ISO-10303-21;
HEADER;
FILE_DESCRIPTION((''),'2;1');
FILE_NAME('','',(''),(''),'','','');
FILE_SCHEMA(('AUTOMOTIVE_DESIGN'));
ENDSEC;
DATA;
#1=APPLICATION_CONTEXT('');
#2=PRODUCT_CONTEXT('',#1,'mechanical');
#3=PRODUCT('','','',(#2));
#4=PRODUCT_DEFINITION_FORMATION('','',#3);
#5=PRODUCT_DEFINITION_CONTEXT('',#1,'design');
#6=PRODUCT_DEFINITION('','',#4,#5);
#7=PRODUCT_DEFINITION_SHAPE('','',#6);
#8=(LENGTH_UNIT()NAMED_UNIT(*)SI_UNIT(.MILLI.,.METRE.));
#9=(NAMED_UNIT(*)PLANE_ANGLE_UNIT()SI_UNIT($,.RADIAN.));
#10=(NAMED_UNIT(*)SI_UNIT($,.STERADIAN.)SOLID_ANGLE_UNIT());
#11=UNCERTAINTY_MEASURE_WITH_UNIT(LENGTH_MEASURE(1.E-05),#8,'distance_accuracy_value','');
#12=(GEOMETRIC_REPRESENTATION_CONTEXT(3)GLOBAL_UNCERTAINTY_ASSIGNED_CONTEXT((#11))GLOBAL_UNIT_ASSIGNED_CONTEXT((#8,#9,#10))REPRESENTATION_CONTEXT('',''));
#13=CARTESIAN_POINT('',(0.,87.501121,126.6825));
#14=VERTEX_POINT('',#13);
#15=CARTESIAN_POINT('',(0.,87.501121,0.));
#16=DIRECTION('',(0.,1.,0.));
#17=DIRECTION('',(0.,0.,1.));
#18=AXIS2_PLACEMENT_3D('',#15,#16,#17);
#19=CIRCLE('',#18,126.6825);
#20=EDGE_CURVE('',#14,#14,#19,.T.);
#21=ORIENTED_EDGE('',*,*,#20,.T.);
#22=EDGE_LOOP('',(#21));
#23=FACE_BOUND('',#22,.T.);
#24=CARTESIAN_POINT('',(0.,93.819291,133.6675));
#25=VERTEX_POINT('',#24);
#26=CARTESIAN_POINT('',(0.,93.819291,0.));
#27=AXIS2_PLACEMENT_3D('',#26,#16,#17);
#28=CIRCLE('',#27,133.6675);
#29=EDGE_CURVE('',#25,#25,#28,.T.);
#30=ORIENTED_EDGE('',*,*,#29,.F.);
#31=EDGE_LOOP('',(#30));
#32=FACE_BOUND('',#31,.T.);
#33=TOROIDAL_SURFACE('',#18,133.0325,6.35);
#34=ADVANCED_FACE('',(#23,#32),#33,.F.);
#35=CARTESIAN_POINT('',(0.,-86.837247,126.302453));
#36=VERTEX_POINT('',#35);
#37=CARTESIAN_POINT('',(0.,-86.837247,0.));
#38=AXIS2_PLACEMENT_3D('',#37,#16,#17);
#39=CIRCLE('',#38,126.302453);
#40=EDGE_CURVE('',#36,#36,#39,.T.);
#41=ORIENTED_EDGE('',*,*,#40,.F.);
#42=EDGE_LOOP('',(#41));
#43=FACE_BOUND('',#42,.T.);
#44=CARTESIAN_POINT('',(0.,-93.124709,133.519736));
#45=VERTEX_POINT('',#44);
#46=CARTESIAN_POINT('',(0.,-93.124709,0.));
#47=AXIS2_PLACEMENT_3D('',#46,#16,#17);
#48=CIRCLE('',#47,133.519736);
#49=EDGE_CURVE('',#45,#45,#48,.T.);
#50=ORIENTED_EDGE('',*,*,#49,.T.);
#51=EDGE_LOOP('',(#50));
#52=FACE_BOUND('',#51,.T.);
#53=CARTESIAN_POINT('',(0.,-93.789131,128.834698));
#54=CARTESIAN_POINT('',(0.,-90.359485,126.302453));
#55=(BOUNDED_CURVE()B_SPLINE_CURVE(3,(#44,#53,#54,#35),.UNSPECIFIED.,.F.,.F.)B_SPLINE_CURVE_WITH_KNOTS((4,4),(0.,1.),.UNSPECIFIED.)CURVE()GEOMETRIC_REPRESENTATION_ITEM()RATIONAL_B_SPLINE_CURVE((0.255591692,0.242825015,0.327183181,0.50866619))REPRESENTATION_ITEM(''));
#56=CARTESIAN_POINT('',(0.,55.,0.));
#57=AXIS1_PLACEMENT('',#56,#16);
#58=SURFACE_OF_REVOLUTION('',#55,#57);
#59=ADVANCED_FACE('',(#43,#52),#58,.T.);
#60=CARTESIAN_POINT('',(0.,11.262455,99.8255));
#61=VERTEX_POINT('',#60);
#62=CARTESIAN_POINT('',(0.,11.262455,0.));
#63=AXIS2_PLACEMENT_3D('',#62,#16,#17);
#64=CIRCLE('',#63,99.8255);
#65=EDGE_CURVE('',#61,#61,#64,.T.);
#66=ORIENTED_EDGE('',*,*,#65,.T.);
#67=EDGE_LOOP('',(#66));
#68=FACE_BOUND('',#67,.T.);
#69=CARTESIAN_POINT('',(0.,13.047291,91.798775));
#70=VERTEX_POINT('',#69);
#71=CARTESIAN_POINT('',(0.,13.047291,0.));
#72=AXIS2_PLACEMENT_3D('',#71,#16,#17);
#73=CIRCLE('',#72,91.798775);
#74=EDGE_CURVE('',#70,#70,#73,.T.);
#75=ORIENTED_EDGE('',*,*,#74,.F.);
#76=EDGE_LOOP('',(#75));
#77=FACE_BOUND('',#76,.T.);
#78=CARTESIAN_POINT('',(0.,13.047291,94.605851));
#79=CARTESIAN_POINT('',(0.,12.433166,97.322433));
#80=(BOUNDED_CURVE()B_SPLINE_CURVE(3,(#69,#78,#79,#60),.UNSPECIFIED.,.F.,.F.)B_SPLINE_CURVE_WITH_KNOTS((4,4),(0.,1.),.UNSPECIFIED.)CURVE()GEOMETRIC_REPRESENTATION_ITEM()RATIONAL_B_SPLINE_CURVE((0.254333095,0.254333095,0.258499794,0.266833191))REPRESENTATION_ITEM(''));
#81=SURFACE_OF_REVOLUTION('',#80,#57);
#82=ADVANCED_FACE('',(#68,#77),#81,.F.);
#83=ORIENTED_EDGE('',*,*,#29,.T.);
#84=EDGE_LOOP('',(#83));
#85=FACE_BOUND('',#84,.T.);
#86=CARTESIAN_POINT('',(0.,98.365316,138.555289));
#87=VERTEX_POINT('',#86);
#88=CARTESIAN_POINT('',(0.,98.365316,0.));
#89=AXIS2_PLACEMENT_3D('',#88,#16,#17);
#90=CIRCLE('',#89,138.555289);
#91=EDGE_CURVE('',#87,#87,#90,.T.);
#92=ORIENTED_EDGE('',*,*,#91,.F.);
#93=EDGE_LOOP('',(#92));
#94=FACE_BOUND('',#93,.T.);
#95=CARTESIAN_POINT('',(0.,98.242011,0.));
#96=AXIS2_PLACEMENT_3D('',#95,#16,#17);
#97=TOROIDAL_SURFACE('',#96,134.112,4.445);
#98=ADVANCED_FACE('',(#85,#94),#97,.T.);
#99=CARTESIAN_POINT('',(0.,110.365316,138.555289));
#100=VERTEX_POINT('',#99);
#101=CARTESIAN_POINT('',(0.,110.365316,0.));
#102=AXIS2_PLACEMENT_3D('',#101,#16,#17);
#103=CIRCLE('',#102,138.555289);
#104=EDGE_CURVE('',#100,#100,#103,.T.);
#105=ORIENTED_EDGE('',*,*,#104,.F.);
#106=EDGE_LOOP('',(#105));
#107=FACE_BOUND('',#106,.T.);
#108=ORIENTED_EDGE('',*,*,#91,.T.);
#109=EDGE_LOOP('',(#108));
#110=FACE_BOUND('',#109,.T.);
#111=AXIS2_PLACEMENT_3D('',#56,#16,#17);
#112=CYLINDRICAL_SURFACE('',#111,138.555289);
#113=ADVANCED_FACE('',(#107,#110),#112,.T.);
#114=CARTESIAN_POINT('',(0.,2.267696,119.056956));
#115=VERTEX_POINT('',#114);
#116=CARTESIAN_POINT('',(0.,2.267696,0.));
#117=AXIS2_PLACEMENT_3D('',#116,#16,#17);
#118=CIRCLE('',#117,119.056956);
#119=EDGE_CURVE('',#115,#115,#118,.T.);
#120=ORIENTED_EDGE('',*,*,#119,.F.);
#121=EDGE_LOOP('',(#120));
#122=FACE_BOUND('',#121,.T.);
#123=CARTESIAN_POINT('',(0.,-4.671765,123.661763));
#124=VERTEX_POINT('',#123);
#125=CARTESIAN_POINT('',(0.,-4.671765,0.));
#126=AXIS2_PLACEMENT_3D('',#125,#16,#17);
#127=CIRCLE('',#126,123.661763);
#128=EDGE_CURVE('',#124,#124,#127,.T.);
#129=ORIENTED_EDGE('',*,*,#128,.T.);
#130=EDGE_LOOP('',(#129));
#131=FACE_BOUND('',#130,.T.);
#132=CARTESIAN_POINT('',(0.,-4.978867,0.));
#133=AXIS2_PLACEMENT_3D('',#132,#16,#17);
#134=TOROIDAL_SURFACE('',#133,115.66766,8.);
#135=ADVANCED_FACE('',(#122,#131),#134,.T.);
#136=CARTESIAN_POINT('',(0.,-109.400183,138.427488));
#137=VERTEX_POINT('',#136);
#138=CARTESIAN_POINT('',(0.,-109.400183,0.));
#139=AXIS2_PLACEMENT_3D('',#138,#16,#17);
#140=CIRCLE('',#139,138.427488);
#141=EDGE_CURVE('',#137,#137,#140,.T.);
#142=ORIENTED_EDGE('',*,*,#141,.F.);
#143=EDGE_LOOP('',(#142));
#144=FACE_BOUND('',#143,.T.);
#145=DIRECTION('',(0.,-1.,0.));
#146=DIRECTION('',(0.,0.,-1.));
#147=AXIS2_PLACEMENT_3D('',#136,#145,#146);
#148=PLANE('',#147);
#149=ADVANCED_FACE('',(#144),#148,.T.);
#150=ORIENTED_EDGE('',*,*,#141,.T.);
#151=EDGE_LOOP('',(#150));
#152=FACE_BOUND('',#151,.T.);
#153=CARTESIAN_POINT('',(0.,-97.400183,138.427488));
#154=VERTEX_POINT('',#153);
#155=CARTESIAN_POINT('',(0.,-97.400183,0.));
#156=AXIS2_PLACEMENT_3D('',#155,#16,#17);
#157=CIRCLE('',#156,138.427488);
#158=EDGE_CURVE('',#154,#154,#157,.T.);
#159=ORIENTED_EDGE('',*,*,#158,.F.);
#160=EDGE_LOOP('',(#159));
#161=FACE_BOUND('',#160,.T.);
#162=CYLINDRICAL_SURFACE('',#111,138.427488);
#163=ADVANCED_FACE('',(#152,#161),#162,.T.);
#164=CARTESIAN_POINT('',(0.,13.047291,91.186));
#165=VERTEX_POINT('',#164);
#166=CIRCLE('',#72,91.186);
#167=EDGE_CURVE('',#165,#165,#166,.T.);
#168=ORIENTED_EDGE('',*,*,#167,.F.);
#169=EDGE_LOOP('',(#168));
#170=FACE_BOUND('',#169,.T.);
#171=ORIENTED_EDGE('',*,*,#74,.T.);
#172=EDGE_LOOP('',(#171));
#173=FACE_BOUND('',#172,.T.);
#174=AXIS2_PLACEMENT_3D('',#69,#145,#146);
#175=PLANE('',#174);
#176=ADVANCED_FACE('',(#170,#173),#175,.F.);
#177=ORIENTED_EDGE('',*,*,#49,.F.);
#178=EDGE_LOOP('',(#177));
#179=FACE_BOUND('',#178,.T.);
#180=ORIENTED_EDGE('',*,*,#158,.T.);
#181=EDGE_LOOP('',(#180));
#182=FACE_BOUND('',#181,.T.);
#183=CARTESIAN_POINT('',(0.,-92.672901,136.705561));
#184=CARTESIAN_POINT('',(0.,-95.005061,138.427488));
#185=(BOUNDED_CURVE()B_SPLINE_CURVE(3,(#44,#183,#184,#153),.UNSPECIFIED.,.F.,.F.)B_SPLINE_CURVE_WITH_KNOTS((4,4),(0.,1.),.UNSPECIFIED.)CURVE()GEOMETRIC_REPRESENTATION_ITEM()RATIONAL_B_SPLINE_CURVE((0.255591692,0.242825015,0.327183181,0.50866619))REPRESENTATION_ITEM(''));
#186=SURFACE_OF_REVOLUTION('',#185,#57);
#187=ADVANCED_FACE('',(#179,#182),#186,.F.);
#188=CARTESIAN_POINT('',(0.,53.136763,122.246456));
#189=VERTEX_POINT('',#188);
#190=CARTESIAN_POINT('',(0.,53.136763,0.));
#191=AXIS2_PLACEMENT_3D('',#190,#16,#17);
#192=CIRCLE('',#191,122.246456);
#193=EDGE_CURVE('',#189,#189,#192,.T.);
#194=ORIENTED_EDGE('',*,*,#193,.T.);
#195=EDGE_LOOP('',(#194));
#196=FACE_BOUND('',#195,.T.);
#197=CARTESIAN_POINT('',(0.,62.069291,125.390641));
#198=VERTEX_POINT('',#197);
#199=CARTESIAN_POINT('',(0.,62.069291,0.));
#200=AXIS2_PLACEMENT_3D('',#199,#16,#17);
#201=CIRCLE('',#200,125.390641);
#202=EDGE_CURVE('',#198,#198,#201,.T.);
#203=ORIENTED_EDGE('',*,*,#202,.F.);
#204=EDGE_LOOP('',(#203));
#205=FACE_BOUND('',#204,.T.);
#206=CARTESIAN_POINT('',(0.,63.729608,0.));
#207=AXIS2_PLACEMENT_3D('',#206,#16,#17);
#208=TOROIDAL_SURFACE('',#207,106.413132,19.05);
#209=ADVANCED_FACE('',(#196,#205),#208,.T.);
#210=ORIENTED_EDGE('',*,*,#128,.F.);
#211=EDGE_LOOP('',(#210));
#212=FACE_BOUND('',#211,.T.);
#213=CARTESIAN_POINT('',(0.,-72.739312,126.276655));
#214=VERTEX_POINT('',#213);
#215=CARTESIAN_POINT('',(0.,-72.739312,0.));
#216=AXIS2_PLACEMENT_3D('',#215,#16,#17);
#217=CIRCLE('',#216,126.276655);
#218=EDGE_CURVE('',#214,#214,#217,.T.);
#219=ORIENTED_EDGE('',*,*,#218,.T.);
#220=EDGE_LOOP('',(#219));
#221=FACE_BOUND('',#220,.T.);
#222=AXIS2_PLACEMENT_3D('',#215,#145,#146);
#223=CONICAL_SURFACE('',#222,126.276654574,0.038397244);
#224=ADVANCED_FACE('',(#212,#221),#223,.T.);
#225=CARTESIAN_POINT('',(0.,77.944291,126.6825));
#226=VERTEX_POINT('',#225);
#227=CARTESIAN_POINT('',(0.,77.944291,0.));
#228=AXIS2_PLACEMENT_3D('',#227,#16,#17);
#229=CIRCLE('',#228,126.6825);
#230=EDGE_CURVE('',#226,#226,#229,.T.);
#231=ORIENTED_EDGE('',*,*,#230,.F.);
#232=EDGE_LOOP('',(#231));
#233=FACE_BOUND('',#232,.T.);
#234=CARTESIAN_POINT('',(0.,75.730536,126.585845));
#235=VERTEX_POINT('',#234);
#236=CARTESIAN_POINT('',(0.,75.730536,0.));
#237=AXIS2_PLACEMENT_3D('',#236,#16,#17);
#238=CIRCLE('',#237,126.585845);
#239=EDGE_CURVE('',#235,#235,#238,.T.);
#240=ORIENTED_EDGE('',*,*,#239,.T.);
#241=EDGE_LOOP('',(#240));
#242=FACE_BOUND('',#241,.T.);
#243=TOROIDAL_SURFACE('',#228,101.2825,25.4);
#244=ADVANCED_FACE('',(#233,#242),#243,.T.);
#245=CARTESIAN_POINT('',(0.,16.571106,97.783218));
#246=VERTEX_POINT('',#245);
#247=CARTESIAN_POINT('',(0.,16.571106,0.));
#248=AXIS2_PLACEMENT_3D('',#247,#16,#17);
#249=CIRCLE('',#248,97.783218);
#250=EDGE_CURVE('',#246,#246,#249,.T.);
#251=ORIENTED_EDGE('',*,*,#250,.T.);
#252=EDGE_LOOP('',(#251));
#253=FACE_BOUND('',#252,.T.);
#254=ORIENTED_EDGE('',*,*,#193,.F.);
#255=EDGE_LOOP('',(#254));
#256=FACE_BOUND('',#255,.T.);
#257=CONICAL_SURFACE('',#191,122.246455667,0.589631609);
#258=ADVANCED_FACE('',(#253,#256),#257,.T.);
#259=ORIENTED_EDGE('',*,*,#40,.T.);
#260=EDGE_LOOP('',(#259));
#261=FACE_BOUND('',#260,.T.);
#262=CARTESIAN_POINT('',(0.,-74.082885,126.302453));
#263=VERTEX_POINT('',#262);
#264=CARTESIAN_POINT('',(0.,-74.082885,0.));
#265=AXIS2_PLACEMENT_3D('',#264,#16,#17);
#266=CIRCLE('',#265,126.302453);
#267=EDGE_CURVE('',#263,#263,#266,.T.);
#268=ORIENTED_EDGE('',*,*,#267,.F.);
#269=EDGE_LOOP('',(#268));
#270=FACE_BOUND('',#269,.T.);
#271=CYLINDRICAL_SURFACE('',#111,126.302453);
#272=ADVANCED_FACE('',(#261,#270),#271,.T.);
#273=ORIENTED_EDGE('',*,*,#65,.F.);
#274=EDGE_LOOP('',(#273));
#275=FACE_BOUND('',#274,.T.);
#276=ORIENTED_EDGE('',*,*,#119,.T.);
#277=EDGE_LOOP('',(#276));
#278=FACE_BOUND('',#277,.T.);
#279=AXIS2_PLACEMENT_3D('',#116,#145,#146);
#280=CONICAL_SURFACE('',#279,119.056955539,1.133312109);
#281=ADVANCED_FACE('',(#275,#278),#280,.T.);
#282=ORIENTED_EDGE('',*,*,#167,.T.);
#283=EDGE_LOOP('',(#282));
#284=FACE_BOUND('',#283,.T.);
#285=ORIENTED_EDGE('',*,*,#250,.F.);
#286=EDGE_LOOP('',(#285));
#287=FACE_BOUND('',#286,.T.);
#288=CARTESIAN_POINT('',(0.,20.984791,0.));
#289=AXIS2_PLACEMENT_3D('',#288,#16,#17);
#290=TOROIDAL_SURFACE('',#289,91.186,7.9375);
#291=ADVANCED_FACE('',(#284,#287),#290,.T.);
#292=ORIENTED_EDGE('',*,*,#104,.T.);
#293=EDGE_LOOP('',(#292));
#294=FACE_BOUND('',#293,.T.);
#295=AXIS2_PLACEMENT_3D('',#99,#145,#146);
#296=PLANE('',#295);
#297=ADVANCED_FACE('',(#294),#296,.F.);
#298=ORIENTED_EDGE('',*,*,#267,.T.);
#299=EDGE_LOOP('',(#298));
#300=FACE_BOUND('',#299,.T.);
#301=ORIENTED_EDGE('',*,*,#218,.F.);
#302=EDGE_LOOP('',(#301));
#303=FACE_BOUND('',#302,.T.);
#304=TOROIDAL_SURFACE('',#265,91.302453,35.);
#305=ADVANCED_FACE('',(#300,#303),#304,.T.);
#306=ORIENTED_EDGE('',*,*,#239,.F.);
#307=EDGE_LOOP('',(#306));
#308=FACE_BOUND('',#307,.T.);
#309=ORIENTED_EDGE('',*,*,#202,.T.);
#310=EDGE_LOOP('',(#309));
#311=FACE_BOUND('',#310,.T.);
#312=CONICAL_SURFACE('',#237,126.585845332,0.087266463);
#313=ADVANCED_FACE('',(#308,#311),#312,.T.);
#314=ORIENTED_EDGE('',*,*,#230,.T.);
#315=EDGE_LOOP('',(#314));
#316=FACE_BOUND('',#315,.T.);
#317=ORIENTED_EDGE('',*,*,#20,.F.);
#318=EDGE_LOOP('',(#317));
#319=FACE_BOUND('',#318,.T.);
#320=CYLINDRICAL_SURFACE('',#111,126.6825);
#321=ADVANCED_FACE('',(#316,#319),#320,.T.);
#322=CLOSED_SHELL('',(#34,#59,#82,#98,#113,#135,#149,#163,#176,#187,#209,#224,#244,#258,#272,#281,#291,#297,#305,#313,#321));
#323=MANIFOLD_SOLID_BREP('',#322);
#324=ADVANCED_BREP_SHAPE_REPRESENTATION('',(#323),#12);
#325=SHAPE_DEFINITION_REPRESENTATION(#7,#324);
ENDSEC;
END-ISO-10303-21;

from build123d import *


with BuildPart() as part:
    # Sketch1 → Revolve1 (revolve)
    with BuildSketch(Plane(origin=(0, 0, 0), x_dir=(0, 0, -1), z_dir=(1, 0, 0))):
        with BuildLine():
            Line((-138.555289406, 98.365316059), (-138.555289406, 110.365316059))
            Line((-138.555289406, 110.365316059), (0, 110.365316059))
            Line((0, 110.365316059), (0, -109.400182818))
            Line((0, -109.400182818), (-138.42748794, -109.400182818))
            Line((-138.42748794, -109.400182818), (-138.42748794, -97.400182818))
            add(Edge.make_bspline(
                [(-133.5197355, -93.124708626), (-136.705561076, -92.67290135), (-138.42748794, -95.005060825), (-138.42748794, -97.400182818)],
                knots=[0, 0, 0, 0, 1, 1, 1, 1], degree=3, weights=[0.255591692, 0.242825015, 0.327183181, 0.50866619]))
            add(Edge.make_bspline(
                [(-133.5197355, -93.124708626), (-128.834697888, -93.789131091), (-126.3024525, -90.359484804), (-126.3024525, -86.837246579)],
                knots=[0, 0, 0, 0, 1, 1, 1, 1], degree=3, weights=[0.255591692, 0.242825015, 0.327183181, 0.50866619]))
            Line((-126.3024525, -86.837246579), (-126.3024525, -81.41085095))
            Line((-126.3024525, -81.41085095), (-126.3024525, -74.082885282))
            ThreePointArc((-126.3024525, -74.082885282), (-126.296002424, -73.410974798), (-126.276654574, -72.739311964))
            Line((-126.276654574, -72.739311964), (-123.66176318, -4.671764925))
            ThreePointArc((-123.66176318, -4.671764925), (-122.333578486, -0.555573521), (-119.056955539, 2.267695562))
            Line((-119.056955539, 2.267695562), (-99.825500253, 11.262454717))
            add(Edge.make_bspline(
                [(-91.798775, 13.047291374), (-94.605850649, 13.047291374), (-97.322433085, 12.433166241), (-99.825500253, 11.262454717)],
                knots=[0, 0, 0, 0, 1, 1, 1, 1], degree=3, weights=[0.254333095, 0.254333095, 0.258499794, 0.266833191]))
            Line((-91.798775, 13.047291374), (-91.186, 13.047291374))
            ThreePointArc((-91.186, 13.047291374), (-94.925670916, 13.983450953), (-97.783218052, 16.571105814))
            Line((-97.783218052, 16.571105814), (-122.246455667, 53.136762929))
            ThreePointArc((-122.246455667, 53.136762929), (-124.382440282, 57.404541307), (-125.39064134, 62.069291374))
            Line((-125.39064134, 62.069291374), (-126.585845332, 75.730535508))
            ThreePointArc((-126.585845332, 75.730535508), (-126.658324828, 76.836358935), (-126.6825, 77.944291374))
            Line((-126.6825, 77.944291374), (-126.6825, 87.501121148))
            ThreePointArc((-126.6825, 87.501121148), (-128.772790503, 92.210407188), (-133.6675, 93.819291374))
            ThreePointArc((-133.6675, 93.819291374), (-137.139237072, 94.987189383), (-138.555289406, 98.365316059))
        make_face()
    revolve(axis=Axis((0, 55, 0), (0, -1, 0)))


solid = part.part
